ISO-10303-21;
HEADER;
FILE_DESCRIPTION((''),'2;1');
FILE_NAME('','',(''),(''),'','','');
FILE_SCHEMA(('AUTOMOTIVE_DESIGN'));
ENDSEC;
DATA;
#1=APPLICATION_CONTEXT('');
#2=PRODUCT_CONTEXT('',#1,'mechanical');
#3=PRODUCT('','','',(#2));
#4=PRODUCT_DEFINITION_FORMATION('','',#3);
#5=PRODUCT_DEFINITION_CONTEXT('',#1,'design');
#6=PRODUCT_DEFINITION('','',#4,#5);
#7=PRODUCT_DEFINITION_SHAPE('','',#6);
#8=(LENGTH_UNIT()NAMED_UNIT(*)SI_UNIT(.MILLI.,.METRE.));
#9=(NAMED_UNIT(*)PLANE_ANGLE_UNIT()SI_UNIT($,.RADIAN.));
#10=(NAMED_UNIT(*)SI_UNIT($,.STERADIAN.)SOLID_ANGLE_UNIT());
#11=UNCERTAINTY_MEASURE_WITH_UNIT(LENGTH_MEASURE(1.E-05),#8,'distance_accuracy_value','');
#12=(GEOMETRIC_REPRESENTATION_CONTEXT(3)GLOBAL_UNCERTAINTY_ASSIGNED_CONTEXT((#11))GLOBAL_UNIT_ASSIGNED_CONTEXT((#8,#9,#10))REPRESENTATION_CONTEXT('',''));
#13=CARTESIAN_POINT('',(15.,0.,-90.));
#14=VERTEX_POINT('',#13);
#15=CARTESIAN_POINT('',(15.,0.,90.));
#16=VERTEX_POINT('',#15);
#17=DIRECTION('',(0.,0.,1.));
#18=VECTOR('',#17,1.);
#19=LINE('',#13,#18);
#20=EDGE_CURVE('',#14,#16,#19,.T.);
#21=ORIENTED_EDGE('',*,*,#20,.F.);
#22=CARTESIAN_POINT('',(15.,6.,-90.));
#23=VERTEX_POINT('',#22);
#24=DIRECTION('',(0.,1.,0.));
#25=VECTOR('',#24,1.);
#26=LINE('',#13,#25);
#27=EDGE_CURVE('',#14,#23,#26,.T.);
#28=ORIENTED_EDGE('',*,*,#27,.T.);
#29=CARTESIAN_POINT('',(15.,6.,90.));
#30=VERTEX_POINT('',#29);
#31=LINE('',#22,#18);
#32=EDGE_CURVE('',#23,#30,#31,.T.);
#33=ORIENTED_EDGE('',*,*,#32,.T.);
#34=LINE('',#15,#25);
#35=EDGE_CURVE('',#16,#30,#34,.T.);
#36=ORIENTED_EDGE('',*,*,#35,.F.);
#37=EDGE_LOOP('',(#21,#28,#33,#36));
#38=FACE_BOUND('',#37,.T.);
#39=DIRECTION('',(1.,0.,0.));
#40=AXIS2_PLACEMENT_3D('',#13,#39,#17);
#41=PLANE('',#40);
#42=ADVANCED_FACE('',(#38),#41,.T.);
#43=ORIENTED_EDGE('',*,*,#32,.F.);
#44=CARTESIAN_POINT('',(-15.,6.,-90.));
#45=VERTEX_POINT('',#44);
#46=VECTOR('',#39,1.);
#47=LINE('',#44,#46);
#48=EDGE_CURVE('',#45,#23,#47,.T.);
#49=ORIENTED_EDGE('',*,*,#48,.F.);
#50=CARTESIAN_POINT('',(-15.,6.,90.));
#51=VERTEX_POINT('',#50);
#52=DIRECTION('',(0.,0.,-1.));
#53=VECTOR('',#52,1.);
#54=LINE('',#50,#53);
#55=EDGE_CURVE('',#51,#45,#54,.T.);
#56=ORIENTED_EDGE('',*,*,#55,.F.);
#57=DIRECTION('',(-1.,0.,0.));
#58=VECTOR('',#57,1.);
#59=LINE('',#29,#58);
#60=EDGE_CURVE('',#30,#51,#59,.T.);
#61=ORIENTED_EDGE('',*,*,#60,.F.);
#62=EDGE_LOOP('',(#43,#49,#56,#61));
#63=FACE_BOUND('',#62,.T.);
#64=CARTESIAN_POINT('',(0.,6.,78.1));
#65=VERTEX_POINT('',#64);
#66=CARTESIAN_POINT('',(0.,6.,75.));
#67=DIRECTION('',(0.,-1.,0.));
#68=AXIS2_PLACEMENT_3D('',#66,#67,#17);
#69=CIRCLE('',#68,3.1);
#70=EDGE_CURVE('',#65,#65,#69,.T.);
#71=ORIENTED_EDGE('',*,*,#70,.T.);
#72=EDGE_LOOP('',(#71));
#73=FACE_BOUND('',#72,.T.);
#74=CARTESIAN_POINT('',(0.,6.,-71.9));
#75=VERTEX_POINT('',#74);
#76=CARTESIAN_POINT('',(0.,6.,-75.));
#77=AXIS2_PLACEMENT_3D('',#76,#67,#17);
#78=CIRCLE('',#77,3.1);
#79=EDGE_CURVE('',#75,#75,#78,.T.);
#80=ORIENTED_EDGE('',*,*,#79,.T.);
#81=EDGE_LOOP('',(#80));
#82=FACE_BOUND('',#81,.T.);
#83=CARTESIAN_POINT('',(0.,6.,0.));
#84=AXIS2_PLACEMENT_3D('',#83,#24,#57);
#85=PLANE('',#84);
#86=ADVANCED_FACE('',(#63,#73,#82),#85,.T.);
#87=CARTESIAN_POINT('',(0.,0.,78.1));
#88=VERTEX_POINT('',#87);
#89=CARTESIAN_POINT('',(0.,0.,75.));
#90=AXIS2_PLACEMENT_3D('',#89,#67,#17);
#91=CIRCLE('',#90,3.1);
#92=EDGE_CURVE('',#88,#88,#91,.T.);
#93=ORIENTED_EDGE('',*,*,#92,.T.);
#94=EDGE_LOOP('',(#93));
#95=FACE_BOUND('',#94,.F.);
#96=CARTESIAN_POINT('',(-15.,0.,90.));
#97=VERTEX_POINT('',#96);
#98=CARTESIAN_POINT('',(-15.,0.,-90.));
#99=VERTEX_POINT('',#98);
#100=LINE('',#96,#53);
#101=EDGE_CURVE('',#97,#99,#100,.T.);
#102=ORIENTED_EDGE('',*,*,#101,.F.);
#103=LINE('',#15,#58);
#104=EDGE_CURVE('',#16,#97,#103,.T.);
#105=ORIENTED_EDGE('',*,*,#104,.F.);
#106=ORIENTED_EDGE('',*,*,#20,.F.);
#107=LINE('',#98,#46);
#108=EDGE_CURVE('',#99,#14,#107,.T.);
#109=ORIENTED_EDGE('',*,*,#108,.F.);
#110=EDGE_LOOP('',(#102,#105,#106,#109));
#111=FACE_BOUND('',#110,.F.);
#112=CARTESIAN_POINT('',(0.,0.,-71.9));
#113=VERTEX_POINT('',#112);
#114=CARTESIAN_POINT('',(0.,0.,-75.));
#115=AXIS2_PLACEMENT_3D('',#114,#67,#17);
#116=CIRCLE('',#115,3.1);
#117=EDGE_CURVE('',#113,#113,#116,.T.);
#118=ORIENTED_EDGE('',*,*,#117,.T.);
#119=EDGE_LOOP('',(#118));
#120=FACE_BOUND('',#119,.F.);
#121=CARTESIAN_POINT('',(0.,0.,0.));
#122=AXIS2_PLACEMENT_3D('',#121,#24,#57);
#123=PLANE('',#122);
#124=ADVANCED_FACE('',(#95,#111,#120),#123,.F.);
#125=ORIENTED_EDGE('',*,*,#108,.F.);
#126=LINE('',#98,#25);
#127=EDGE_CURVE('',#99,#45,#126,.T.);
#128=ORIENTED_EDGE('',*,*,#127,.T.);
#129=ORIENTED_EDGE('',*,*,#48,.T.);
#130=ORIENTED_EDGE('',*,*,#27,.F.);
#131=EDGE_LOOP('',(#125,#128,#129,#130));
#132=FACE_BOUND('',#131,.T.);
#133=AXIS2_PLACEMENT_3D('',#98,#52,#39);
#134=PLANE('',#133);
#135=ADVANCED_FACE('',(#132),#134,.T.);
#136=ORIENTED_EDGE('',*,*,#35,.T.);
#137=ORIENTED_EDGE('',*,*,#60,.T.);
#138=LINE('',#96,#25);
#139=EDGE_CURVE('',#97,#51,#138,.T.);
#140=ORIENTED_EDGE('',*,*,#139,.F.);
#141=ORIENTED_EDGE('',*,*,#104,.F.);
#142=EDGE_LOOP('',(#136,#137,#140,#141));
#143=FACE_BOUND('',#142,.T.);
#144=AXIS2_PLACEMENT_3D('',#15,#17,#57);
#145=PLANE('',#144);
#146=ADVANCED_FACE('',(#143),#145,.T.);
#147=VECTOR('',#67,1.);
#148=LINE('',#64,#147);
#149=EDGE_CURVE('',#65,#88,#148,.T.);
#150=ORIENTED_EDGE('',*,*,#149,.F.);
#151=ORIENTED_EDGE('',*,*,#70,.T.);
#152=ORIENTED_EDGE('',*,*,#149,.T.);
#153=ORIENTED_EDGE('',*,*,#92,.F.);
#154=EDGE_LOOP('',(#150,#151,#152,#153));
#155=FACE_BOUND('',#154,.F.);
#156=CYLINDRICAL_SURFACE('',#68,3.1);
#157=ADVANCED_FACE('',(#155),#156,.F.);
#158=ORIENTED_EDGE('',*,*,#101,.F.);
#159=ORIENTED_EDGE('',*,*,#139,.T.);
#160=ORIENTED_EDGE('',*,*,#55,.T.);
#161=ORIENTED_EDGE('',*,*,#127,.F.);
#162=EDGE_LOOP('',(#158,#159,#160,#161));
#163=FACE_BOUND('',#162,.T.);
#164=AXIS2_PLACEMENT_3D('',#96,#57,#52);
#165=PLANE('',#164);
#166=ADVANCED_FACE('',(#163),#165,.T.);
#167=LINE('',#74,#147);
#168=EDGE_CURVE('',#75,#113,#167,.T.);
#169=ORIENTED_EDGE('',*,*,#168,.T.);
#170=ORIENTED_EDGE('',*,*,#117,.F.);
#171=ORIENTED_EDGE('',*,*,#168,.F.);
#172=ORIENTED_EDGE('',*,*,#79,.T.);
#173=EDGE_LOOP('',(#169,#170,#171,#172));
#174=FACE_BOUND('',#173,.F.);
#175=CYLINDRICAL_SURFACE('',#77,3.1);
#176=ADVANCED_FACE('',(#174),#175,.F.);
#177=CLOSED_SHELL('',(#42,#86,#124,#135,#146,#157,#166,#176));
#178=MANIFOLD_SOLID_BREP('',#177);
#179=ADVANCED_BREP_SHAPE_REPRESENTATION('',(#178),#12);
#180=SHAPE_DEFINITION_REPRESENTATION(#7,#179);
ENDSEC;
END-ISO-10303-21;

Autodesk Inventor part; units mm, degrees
ref_plane "YZ Plane" through (0, 0, 0) normal (1, 0, 0) x (0, 1, 0)
ref_plane "XZ Plane" through (0, 0, 0) normal (0, 1, 0) x (-1, 0, 0)
ref_plane "XY Plane" through (0, 0, 0) normal (0, 0, 1) x (1, 0, 0)
sketch "Szkic1" plane through (0, 0, 0) normal (0, 1, 0) x (-1, 0, 0)
  line L0 (-15, 90) -> (15, 90)
  line L1 (15, 90) -> (15, -90)
  line L2 (15, -90) -> (-15, -90)
  line L3 (-15, -90) -> (-15, 90)
  line L4 (-15, 90) -> (15, -90) construction
  line L5 (15, 90) -> (-15, -90) construction
  point P0 (0, 0)
  dimension "d0" = 30
  dimension "d1" = 180
extrude "Wyciągnięcie proste1" add sketch "Szkic1" along normal blind 6
sketch "Szkic2" plane through (0, 6, 0) normal (0, 1, 0) x (1, 0, 0)
  line L0 (0, 0) -> (0, -75)
  line L1 (0, 0) -> (0, 75)
  dimension "d4" = 75
  dimension "d12" = 75
hole "Otwór1" at (0, 6, 75) at (0, 6, -75) direction (0, -1, 0) diameter 6.2 depth 33 tip angle 118
properties part number "łapa2"
